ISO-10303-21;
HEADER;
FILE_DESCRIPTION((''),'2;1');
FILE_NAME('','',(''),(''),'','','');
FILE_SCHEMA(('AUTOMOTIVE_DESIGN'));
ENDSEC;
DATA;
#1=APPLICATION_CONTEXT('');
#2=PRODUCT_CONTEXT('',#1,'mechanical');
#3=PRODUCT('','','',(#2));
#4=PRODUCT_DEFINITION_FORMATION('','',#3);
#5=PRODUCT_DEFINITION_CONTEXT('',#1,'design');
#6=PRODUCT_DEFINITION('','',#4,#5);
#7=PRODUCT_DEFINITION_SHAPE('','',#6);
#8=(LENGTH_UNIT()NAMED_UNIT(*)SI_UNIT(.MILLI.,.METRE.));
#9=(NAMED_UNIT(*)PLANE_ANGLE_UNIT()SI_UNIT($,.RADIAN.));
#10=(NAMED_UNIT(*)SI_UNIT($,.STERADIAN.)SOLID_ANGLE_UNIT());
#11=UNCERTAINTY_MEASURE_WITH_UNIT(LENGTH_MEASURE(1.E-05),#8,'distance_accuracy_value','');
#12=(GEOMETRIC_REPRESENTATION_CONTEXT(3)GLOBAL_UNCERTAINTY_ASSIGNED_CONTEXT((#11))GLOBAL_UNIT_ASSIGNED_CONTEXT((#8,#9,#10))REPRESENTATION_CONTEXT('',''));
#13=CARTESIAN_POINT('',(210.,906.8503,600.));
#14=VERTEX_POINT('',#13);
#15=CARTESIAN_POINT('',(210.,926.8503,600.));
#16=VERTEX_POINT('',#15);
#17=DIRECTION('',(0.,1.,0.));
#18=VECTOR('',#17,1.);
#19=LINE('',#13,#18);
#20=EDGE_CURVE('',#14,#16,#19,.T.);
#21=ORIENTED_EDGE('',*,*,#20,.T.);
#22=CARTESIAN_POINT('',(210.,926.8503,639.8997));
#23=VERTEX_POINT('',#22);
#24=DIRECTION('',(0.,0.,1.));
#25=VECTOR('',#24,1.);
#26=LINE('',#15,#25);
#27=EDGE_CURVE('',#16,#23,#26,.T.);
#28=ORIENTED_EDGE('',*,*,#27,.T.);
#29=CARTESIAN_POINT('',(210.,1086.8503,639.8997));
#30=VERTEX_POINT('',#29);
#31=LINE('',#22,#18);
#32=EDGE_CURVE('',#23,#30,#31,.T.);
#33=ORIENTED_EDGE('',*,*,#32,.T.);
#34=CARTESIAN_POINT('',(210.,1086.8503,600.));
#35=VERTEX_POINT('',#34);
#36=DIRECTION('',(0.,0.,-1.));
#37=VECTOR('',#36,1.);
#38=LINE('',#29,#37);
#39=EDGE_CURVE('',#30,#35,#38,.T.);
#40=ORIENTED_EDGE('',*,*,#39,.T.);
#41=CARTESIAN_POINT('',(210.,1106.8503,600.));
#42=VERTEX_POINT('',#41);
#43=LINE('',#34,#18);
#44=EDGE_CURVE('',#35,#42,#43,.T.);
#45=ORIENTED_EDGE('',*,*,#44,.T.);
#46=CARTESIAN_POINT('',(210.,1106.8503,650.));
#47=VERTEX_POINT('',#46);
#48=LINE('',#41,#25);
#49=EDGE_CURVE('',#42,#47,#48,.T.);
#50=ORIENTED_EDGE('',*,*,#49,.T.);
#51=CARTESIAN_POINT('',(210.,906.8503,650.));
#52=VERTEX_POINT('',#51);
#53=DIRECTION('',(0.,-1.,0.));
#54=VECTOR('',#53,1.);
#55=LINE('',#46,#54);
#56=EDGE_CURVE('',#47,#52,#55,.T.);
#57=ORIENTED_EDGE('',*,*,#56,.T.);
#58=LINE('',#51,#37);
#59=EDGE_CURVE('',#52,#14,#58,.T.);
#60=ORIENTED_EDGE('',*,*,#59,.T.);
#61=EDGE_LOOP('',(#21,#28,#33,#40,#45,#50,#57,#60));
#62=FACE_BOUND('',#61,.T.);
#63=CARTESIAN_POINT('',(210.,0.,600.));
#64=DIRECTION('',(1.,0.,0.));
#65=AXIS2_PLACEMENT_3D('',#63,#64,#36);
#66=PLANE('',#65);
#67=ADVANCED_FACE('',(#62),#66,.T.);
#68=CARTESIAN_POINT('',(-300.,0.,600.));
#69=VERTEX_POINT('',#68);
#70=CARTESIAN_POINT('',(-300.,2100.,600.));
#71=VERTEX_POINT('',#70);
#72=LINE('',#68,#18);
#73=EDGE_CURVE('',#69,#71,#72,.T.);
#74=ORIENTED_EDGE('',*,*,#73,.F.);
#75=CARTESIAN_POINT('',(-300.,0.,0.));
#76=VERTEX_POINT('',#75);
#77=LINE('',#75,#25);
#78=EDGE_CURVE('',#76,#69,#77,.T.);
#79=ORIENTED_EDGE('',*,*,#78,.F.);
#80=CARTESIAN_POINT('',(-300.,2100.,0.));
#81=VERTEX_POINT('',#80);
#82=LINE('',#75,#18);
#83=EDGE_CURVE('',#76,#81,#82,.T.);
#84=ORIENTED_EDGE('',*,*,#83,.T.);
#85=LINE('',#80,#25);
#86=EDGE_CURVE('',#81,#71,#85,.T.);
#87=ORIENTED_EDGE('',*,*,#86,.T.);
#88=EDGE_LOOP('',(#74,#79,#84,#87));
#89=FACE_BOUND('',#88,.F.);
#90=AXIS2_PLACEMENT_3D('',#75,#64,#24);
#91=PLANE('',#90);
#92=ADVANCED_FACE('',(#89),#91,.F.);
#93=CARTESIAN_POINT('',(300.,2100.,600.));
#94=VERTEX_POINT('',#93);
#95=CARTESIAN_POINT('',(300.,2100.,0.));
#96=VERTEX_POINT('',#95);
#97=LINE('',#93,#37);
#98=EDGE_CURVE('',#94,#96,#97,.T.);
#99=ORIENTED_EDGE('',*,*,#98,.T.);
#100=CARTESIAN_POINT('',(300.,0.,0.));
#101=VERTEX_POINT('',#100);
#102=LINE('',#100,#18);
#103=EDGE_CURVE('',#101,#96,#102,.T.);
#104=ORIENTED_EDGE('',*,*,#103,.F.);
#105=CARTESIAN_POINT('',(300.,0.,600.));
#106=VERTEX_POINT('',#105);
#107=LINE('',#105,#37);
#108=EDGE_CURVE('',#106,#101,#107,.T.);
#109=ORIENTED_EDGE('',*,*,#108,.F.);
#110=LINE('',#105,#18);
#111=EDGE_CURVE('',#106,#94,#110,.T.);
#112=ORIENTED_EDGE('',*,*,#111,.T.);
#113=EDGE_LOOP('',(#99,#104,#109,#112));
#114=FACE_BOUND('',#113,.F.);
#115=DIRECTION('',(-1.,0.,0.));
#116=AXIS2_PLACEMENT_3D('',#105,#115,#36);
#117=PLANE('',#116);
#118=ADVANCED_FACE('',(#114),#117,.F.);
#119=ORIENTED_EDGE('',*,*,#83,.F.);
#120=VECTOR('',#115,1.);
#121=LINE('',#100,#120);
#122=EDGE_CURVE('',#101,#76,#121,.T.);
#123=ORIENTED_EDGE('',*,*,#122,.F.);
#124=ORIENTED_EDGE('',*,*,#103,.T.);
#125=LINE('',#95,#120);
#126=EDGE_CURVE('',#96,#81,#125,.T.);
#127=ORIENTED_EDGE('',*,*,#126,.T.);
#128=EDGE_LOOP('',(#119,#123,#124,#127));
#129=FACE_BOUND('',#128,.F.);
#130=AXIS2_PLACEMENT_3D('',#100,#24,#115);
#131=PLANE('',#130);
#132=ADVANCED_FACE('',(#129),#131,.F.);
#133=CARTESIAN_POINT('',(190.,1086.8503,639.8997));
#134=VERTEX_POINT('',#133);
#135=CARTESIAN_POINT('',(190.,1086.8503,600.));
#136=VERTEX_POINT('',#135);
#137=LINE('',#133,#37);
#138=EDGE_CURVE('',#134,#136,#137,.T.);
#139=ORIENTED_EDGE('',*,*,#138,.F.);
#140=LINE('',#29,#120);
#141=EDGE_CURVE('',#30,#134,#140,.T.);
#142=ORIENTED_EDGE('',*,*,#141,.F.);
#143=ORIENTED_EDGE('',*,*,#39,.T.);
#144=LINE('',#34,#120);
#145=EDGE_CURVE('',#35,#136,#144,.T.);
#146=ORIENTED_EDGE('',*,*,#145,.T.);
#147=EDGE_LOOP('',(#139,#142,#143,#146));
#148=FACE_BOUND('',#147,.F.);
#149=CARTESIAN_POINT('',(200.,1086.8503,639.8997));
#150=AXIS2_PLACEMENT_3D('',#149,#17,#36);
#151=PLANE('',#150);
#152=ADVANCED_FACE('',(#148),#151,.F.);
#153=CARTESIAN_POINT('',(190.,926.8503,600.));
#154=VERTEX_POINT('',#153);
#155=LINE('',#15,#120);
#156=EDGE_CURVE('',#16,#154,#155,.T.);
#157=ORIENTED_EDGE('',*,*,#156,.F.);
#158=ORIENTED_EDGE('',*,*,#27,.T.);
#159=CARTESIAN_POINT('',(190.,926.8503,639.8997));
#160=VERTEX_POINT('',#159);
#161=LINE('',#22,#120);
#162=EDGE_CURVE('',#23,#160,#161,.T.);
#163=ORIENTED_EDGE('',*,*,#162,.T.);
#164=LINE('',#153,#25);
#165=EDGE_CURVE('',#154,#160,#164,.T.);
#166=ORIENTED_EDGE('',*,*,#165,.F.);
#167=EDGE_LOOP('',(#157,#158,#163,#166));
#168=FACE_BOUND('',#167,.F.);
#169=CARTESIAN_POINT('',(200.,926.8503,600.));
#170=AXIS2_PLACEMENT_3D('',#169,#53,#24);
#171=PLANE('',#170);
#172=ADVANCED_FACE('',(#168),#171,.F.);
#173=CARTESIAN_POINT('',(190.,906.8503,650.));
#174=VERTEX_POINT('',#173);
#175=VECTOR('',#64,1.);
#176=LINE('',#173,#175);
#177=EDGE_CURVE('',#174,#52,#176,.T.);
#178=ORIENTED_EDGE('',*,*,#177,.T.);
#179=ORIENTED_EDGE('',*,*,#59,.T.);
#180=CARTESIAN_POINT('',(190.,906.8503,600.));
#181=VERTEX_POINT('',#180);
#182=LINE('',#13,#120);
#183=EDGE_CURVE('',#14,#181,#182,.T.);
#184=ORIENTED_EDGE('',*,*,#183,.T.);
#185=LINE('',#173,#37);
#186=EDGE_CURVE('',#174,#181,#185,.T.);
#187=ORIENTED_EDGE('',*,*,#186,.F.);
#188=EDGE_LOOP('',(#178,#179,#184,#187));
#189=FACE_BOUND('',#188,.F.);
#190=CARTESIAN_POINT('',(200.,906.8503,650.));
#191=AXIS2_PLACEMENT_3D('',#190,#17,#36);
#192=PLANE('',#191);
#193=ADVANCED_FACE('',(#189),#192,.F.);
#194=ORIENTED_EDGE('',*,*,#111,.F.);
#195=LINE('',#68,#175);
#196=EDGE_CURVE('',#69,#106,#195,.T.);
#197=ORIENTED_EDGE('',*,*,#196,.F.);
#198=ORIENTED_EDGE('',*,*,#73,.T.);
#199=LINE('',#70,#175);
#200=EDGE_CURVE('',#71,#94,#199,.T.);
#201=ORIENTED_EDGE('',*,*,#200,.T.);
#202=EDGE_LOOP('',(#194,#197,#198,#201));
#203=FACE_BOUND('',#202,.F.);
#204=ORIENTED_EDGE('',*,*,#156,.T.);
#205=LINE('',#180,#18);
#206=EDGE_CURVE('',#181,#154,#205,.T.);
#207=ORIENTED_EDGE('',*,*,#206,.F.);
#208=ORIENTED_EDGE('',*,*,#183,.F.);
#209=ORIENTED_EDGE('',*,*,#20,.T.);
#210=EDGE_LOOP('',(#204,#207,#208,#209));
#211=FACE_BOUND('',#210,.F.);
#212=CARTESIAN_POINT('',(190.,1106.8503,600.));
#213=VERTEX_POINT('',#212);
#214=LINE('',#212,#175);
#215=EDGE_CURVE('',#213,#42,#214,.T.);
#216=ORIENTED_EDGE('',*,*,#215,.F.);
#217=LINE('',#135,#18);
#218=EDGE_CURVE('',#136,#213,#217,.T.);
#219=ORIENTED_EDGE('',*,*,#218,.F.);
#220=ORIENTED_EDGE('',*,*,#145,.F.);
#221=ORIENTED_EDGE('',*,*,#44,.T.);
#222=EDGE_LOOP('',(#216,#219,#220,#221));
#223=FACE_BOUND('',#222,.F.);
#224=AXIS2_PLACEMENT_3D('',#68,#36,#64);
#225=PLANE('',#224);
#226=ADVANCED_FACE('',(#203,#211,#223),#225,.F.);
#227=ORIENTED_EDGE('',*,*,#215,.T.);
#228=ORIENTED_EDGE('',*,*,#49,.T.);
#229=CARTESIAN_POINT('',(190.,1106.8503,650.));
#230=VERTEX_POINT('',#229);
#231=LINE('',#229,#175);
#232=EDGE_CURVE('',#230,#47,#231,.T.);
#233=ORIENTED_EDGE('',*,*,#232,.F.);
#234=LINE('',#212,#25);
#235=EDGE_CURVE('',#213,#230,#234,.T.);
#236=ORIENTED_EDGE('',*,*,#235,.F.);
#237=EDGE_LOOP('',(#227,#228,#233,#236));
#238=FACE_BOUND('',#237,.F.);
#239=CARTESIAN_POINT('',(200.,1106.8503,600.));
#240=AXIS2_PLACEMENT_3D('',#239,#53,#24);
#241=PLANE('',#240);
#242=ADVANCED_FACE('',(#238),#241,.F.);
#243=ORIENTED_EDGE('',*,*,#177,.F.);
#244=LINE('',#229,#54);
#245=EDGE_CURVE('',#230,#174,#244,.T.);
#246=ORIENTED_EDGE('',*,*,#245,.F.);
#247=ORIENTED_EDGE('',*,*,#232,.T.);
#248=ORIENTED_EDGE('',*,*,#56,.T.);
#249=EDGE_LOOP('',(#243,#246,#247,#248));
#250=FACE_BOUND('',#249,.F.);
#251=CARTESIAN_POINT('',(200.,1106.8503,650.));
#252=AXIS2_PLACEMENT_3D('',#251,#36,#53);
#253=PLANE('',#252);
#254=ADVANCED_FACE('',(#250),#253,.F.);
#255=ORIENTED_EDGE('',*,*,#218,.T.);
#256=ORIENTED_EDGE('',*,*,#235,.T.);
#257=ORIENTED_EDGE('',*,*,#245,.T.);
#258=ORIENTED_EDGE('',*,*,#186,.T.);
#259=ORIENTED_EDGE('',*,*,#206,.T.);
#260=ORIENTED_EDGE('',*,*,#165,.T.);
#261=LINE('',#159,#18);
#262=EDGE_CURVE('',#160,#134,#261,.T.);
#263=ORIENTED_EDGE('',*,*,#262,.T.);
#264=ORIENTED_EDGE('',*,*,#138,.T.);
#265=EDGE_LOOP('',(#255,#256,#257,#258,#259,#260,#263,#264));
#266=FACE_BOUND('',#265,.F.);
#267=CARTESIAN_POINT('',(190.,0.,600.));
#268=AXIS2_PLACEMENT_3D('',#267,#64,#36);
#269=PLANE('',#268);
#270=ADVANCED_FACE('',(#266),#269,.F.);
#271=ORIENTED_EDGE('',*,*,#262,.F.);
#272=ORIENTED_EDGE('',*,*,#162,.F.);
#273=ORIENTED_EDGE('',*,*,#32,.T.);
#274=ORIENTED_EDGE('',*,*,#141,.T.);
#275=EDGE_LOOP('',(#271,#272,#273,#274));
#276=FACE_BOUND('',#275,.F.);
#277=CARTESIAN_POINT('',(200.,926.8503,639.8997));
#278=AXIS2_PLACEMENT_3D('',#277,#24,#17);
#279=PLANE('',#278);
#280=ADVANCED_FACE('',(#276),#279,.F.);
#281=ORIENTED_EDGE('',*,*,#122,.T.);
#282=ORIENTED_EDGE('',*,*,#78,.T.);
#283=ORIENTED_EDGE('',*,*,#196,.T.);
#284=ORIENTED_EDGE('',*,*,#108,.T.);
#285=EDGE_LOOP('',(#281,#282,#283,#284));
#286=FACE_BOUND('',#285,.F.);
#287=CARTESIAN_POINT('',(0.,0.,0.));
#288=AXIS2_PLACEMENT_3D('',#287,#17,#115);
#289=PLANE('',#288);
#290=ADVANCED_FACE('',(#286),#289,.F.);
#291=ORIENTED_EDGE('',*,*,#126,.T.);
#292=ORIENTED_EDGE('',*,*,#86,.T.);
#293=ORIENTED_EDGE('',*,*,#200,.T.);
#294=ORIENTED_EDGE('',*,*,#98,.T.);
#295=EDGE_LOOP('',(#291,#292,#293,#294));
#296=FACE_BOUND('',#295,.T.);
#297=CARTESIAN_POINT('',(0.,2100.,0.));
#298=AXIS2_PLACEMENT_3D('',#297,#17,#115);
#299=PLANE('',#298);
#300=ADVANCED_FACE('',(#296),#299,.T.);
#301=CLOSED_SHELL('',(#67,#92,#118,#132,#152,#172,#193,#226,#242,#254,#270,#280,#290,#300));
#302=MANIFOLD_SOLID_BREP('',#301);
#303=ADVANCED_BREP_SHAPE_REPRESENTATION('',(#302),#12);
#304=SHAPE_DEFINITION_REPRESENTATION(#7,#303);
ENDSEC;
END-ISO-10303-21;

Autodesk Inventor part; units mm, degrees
ref_plane "YZ Plane" through (0, 0, 0) normal (1, 0, 0) x (0, 1, 0)
ref_plane "XZ Plane" through (0, 0, 0) normal (0, 1, 0) x (-1, 0, 0)
sketch "Sketch1" plane through (0, 0, 0) normal (0, 1, 0) x (-1, 0, 0)
  line L0 (300, 600) -> (-300, 600)
  line L1 (-300, 600) -> (-300, 0)
  line L2 (-300, 0) -> (300, 0)
  line L3 (300, 0) -> (300, 600)
  point P0 (0, 0)
  point P1 (0, 0)
  dimension "d0" = 600
  dimension "d1" = 600
extrude "Extrusion1" add sketch "Sketch1" along normal blind 2100
ref_plane "Work Plane1" through (200, 0, 600) normal (1, 0, 0) x (0, 0, -1)
sketch "Sketch2" plane through (200, 0, 600) normal (1, 0, 0) x (0, 0, -1)
  line L0 (0, 1106.8503) -> (-50, 1106.8503)
  line L1 (-50, 1106.8503) -> (-50, 906.8503)
  line L2 (-50, 906.8503) -> (0, 906.8503)
  line L3 (0, 906.8503) -> (0, 926.8503)
  line L4 (0, 926.8503) -> (-39.8997, 926.8503)
  line L5 (-39.8997, 926.8503) -> (-39.8997, 1086.8503)
  line L6 (-39.8997, 1086.8503) -> (0, 1086.8503)
  line L7 (0, 1086.8503) -> (0, 1106.8503)
  line L8 (0, 0) -> (0, 2100) projected
  point P0 (600, 0)
  dimension "d5" = 20
  dimension "d6" = 200
  dimension "d7" = 50
extrude "Extrusion2" add sketch "Sketch2" along normal mid plane 20 contours L7 L6 L5 L4 L3 L2 L1 L0
equation "\"d8\" = d5"
properties part number "Frigorifero"
